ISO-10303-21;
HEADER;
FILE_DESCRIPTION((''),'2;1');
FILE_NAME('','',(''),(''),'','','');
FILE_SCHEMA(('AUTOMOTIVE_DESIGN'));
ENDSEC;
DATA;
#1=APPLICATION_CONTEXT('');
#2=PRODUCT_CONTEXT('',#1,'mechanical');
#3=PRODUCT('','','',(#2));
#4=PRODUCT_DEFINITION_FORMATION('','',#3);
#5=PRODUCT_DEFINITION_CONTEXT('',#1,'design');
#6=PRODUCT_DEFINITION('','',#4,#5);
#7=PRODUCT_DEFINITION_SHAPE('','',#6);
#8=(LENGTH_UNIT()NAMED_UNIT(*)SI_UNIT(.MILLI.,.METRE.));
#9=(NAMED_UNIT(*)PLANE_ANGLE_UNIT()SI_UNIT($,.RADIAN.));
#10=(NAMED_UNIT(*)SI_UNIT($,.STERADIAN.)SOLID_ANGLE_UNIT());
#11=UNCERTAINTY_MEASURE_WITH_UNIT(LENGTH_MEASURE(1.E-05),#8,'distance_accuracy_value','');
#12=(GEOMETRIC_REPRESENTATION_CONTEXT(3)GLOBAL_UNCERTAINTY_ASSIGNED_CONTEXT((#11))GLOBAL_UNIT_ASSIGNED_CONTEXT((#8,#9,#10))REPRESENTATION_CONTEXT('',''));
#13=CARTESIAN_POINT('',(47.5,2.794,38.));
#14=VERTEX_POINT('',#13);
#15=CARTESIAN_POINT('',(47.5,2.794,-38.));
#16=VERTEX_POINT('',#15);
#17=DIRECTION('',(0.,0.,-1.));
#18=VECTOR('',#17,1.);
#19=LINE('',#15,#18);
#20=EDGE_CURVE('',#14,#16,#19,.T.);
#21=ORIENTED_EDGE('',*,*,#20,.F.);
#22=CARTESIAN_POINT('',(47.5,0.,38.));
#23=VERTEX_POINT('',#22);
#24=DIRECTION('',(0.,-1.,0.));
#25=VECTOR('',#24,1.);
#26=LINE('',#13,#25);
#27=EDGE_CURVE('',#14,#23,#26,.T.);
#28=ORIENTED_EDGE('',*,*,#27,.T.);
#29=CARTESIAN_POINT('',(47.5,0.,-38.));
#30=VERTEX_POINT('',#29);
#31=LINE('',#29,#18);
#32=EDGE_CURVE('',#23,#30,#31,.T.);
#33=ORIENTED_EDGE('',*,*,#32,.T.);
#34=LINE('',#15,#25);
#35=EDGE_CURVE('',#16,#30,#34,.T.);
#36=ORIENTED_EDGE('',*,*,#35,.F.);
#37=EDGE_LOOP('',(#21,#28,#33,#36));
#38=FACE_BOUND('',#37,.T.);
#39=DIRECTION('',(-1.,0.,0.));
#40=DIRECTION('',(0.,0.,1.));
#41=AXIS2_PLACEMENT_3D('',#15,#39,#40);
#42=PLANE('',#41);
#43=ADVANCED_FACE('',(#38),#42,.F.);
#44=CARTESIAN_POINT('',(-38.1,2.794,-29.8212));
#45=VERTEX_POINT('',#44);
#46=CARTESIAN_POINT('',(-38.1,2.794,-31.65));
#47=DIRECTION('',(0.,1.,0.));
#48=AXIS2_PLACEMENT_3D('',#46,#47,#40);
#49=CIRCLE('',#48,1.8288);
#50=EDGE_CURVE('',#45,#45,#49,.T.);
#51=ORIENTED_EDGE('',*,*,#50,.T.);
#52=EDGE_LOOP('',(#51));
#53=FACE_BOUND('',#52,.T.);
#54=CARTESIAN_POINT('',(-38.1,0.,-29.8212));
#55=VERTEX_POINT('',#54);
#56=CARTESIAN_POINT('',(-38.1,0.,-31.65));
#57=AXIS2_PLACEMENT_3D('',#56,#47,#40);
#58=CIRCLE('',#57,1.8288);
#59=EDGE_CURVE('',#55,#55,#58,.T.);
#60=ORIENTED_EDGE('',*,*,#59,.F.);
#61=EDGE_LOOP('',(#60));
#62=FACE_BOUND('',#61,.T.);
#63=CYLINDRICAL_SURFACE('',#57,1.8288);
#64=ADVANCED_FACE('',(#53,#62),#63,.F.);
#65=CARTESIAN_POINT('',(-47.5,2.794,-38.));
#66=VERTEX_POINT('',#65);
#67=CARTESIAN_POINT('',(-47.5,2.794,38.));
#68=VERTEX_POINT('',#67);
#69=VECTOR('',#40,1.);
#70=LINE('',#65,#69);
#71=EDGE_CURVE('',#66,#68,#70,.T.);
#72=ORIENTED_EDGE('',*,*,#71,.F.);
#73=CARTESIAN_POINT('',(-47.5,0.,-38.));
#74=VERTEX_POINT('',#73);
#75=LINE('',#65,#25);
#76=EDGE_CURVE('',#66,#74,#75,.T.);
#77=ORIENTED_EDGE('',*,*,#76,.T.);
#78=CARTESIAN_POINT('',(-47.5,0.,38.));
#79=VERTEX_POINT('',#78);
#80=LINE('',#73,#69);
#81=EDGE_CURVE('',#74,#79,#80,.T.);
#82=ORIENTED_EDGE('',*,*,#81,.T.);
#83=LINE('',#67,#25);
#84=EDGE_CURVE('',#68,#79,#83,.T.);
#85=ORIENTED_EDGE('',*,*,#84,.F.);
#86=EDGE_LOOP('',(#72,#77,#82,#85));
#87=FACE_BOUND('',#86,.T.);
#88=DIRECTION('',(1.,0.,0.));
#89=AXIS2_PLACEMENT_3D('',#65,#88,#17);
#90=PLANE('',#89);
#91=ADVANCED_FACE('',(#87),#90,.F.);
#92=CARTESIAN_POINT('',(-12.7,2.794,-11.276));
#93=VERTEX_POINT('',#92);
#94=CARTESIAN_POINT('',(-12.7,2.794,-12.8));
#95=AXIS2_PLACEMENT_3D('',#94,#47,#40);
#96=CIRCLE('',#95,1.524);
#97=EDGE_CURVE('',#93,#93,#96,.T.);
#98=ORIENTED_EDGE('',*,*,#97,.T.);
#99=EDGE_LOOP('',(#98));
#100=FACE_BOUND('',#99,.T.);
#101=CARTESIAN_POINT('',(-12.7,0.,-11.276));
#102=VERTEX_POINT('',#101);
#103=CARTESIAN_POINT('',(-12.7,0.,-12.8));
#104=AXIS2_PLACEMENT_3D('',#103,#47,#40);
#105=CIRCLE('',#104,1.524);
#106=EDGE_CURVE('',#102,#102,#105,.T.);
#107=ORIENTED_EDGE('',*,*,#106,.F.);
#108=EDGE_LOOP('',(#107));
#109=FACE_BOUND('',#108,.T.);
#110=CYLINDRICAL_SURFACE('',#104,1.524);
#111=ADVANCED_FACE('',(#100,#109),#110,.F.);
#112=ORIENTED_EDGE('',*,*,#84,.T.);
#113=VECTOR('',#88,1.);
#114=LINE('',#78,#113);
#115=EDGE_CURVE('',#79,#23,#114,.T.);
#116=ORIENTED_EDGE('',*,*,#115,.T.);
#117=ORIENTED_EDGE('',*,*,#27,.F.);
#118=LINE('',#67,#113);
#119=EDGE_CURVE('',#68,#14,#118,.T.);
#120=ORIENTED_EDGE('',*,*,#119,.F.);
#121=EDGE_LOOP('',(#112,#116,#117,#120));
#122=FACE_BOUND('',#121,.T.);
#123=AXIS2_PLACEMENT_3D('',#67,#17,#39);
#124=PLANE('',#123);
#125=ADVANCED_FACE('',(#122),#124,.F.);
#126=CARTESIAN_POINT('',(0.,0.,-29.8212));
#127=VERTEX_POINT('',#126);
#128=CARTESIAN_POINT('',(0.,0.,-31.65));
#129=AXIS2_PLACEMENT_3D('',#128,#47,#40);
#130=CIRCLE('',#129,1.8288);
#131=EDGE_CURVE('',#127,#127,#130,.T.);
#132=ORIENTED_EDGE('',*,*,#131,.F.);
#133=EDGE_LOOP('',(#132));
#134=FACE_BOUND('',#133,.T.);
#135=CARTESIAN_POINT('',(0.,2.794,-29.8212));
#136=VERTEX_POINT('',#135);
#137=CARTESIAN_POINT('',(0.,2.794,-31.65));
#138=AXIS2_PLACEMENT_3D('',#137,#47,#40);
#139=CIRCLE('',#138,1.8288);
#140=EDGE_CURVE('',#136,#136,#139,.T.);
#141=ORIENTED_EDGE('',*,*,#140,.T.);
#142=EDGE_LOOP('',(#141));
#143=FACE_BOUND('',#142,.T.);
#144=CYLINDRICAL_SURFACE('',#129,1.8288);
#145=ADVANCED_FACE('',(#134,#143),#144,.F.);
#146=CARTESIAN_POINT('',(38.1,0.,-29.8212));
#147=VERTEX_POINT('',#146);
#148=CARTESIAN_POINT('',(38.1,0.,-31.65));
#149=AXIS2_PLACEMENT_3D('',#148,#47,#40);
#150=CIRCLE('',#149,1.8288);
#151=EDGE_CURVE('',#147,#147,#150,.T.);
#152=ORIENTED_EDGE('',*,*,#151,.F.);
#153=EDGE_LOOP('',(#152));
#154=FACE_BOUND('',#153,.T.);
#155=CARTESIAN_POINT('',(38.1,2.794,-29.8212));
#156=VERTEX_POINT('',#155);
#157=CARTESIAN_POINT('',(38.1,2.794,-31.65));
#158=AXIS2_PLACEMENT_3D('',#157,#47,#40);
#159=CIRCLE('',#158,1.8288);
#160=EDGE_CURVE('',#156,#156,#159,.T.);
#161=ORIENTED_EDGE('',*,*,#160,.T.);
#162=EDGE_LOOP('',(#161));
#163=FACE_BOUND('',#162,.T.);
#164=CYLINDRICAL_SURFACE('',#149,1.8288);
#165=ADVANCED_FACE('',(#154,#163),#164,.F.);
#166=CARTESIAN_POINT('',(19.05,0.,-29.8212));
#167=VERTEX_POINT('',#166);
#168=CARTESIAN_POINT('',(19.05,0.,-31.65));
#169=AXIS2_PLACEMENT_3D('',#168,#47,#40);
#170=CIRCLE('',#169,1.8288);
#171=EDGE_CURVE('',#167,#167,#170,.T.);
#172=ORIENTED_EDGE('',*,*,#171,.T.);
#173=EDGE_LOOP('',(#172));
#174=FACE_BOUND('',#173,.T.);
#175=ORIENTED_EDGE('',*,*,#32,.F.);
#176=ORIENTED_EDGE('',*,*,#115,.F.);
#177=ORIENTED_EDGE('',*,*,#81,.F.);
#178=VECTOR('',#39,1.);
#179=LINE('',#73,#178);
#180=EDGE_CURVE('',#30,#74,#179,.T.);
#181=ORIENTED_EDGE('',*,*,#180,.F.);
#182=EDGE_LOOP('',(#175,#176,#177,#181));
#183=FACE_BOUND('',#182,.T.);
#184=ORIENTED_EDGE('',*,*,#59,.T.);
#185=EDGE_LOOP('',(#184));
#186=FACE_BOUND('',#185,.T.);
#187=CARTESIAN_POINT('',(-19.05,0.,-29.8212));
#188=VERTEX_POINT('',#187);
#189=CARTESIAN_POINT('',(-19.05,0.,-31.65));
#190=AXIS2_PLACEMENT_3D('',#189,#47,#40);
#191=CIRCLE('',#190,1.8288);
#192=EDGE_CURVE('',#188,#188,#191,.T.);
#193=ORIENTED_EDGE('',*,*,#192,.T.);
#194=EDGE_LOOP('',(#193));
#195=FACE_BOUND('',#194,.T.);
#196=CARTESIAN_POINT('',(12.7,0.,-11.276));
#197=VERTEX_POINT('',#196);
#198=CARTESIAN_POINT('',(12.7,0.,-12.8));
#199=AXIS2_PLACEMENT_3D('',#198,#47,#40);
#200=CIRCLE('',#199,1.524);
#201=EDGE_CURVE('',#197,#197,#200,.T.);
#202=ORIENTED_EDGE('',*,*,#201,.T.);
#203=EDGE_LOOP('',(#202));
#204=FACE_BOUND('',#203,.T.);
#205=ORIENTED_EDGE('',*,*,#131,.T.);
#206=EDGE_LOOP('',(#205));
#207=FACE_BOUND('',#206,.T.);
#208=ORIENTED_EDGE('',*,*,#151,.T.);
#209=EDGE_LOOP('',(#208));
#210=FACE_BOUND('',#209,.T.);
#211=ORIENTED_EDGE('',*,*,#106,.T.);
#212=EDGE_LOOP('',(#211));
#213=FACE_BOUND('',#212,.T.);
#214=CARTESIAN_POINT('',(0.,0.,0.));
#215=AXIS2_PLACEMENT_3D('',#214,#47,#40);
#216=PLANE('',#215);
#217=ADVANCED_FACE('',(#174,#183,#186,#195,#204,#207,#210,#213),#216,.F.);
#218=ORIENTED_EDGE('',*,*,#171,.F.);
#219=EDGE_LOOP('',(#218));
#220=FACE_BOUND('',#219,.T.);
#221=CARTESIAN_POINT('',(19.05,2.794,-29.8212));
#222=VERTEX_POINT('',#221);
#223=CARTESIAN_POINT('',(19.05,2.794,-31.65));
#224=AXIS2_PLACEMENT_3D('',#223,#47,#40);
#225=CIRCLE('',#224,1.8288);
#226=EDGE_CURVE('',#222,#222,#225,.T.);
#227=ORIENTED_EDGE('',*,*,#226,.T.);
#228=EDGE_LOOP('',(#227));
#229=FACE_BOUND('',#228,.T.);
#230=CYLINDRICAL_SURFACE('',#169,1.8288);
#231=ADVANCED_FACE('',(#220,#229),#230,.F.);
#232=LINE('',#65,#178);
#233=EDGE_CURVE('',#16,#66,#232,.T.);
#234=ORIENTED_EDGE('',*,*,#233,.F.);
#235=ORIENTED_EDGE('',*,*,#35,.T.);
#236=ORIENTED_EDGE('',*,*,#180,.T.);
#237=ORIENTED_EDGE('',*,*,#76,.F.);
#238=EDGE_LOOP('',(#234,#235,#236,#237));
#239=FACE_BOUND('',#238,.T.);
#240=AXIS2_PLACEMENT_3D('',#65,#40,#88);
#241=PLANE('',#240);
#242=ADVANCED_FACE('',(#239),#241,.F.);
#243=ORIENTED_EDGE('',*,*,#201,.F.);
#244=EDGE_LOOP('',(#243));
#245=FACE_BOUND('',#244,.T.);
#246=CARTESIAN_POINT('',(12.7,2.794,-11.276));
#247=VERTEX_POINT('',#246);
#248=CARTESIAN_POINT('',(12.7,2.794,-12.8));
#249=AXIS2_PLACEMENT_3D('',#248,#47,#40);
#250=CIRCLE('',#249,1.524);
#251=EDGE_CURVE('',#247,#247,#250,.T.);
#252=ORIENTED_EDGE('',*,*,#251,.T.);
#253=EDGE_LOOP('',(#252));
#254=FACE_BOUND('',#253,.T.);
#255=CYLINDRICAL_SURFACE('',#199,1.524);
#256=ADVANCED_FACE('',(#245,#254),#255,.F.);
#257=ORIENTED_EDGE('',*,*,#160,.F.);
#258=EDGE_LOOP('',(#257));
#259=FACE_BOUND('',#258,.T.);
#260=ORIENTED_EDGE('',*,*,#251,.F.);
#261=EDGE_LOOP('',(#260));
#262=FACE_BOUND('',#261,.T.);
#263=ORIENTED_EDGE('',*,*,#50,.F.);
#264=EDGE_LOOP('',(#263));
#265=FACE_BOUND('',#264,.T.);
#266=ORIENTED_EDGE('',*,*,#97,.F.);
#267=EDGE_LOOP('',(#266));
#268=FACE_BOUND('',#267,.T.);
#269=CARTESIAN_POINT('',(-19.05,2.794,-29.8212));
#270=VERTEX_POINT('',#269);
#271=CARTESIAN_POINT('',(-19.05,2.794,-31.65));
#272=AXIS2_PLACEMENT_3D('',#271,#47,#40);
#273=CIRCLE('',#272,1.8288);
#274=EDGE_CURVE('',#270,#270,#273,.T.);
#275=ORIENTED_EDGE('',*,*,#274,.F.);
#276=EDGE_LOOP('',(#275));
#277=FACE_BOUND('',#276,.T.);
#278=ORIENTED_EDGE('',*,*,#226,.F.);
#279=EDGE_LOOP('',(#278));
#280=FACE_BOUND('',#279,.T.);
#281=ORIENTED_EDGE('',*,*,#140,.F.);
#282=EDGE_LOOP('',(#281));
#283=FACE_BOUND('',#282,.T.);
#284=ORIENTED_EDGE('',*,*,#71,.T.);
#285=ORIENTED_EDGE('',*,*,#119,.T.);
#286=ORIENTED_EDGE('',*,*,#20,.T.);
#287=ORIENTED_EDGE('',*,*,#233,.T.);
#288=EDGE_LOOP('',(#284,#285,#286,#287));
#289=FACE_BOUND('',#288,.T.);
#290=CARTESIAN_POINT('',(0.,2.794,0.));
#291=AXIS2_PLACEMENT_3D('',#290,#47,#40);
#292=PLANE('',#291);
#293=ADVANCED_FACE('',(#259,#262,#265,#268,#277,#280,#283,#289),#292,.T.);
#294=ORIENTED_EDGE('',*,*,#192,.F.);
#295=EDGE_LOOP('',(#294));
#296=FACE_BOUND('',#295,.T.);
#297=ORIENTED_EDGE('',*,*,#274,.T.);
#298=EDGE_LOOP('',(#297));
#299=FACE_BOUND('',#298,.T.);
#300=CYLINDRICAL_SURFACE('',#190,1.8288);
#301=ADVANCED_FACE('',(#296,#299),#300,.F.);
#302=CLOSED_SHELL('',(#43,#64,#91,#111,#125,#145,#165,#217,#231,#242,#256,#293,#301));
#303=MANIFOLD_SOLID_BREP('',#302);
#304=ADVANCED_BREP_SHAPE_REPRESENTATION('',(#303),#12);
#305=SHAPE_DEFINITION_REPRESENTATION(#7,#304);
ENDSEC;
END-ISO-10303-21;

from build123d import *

# Parameters (mm, degrees)
SKETCH1_W           = 95
SKETCH1_H           = 76
BOSS_EXTRUDE1_DEPTH = 2.794
SKETCH2_R           = 1.8288
CUT_EXTRUDE1_DEPTH  = 61.893812789
SKETCH3_R           = 1.524
CUT_EXTRUDE2_DEPTH  = 61.893812789


with BuildPart() as part:
    # Sketch1 → Boss-Extrude1 (new body)
    with BuildSketch(Plane(origin=(0, 0, 0), x_dir=(1, 0, 0), z_dir=(0, 1, 0))):
        Rectangle(SKETCH1_W, SKETCH1_H)
    extrude(amount=BOSS_EXTRUDE1_DEPTH)

    # Sketch2 → Cut-Extrude1 (cut, through all)
    with BuildSketch(Plane(origin=(0, 2.794, 0), x_dir=(1, 0, 0), z_dir=(0, 1, 0))):
        with Locations(Location((-38.1, 31.65, 0), (0, 0, 270))):
            Circle(SKETCH2_R)
        with Locations(Location((-19.05, 31.65, 0), (0, 0, 270))):
            Circle(SKETCH2_R)
        with Locations(Location((0, 31.65, 0), (0, 0, 270))):
            Circle(SKETCH2_R)
        with Locations(Location((19.05, 31.65, 0), (0, 0, 270))):
            Circle(SKETCH2_R)
        with Locations(Location((38.1, 31.65, 0), (0, 0, 270))):
            Circle(SKETCH2_R)
    extrude(amount=-CUT_EXTRUDE1_DEPTH, mode=Mode.SUBTRACT)

    # Sketch3 → Cut-Extrude2 (cut, through all)
    with BuildSketch(Plane(origin=(0, 2.794, 0), x_dir=(1, 0, 0), z_dir=(0, 1, 0))):
        with Locations(Location((-12.7, 12.8, 0), (0, 0, 270))):
            Circle(SKETCH3_R)
        with Locations(Location((12.7, 12.8, 0), (0, 0, 270))):
            Circle(SKETCH3_R)
    extrude(amount=-CUT_EXTRUDE2_DEPTH, mode=Mode.SUBTRACT)


solid = part.part
